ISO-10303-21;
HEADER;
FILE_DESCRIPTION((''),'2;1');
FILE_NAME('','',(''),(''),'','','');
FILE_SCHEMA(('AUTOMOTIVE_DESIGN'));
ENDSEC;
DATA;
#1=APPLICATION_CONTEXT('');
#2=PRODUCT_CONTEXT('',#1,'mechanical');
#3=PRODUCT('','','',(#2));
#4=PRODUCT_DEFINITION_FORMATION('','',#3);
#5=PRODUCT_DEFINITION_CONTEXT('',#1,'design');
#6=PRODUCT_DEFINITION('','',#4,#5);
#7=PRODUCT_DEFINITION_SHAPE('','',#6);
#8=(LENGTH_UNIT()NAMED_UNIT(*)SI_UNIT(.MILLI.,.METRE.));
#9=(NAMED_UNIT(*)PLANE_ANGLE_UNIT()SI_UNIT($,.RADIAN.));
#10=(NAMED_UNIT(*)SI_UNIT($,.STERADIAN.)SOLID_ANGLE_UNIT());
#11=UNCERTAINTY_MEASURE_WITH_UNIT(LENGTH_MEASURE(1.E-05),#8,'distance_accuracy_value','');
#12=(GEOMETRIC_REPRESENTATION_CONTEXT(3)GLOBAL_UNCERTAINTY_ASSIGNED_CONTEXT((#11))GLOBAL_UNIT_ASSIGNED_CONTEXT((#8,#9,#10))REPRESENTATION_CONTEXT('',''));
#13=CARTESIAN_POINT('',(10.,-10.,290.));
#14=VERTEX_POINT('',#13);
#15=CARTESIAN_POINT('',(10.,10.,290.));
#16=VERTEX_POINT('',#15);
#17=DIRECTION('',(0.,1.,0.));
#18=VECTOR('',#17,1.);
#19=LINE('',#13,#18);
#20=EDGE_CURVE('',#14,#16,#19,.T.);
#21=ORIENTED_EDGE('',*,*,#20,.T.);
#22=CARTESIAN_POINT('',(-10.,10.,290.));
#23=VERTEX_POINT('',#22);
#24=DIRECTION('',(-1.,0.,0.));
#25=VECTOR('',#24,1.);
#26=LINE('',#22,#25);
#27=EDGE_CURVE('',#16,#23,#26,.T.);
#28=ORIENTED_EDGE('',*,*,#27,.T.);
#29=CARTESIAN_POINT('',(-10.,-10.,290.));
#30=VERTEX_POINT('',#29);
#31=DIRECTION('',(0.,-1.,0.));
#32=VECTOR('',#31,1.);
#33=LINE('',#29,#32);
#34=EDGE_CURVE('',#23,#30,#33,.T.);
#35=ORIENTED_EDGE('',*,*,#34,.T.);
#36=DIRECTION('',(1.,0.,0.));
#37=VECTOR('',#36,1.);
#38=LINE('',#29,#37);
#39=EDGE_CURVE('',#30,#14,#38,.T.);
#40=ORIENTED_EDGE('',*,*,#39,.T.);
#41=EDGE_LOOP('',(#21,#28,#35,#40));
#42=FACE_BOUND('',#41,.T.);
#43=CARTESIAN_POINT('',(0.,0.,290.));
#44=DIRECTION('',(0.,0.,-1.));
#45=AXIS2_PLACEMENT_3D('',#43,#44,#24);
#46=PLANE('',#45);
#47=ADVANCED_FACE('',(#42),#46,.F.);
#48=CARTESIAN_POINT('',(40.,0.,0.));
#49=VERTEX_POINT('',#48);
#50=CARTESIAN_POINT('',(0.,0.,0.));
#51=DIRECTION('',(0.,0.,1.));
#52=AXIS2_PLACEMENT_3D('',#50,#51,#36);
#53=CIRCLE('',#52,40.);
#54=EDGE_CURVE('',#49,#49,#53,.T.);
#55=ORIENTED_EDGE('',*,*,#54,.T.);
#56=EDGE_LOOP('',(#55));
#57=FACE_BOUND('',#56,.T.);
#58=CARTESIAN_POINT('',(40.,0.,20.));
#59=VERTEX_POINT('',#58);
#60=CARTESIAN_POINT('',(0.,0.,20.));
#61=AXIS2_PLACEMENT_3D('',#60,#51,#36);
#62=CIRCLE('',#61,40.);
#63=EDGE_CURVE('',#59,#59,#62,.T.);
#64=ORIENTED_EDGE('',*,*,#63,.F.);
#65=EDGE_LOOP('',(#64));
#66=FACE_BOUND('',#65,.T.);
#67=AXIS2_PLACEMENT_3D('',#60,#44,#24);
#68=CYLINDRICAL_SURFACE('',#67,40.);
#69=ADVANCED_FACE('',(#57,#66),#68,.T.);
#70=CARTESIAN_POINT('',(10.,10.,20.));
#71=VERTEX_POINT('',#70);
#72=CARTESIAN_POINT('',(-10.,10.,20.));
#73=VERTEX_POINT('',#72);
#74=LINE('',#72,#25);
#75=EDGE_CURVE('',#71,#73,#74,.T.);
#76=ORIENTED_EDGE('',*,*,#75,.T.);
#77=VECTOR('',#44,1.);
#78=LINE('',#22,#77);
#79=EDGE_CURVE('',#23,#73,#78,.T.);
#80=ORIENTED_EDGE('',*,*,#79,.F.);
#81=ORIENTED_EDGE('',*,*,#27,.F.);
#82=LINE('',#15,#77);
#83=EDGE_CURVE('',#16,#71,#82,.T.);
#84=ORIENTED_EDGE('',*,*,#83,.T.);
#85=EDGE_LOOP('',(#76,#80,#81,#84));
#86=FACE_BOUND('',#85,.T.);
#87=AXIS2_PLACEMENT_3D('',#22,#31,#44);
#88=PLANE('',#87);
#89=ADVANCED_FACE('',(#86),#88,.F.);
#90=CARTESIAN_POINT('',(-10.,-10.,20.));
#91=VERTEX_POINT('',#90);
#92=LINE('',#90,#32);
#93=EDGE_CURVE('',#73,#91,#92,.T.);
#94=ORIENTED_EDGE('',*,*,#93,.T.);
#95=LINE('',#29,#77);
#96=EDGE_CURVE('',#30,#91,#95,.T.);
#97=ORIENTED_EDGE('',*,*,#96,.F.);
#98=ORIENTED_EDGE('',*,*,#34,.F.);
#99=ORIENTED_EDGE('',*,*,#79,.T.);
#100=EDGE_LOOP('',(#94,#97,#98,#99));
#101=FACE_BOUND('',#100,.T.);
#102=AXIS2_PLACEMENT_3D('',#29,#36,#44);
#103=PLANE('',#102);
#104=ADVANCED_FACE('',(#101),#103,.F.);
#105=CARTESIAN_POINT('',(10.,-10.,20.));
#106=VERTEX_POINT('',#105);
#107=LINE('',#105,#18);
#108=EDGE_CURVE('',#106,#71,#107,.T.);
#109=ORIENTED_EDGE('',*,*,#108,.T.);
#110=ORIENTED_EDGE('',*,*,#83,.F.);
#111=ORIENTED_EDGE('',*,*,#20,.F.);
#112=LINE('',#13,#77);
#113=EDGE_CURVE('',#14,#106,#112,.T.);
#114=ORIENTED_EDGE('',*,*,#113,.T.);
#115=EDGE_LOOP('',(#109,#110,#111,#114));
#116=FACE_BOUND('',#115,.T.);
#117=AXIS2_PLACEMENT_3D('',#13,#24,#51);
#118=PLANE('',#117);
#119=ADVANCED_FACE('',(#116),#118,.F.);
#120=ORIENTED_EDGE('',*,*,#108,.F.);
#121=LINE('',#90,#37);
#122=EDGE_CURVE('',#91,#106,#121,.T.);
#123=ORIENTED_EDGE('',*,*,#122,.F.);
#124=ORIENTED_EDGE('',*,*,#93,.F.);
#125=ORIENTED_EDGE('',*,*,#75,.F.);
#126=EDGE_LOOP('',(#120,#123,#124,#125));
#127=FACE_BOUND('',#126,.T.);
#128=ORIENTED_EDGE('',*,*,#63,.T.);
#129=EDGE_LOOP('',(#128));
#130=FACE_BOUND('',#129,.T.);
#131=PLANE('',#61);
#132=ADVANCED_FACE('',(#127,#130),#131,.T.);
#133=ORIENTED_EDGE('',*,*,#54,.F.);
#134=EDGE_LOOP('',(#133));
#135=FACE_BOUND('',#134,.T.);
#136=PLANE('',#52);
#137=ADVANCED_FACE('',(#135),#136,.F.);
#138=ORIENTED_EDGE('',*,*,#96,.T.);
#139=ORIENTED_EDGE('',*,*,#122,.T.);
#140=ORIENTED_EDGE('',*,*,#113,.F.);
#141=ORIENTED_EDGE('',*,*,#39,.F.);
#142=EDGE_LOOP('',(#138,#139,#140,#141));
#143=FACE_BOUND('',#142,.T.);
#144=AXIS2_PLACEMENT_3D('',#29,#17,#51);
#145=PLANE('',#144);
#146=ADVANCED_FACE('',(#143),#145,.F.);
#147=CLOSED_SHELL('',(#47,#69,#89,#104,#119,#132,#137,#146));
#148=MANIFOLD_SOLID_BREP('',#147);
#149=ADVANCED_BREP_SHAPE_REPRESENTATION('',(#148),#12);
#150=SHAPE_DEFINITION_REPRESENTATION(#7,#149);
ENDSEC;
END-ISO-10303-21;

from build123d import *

# Parameters (mm, degrees)
SKETCH1_R           = 40
BOSS_EXTRUDE1_DEPTH = 20
SKETCH2_W           = 20
SKETCH2_H           = 20
BOSS_EXTRUDE2_DEPTH = 270


with BuildPart() as part:
    # Sketch1 → Boss-Extrude1 (new body)
    with BuildSketch(Plane.XY):
        Circle(SKETCH1_R)
    extrude(amount=BOSS_EXTRUDE1_DEPTH)

    # Sketch2 → Boss-Extrude2 (add)
    with BuildSketch(Plane.XY.offset(20)):
        Rectangle(SKETCH2_W, SKETCH2_H)
    extrude(amount=BOSS_EXTRUDE2_DEPTH)


solid = part.part
